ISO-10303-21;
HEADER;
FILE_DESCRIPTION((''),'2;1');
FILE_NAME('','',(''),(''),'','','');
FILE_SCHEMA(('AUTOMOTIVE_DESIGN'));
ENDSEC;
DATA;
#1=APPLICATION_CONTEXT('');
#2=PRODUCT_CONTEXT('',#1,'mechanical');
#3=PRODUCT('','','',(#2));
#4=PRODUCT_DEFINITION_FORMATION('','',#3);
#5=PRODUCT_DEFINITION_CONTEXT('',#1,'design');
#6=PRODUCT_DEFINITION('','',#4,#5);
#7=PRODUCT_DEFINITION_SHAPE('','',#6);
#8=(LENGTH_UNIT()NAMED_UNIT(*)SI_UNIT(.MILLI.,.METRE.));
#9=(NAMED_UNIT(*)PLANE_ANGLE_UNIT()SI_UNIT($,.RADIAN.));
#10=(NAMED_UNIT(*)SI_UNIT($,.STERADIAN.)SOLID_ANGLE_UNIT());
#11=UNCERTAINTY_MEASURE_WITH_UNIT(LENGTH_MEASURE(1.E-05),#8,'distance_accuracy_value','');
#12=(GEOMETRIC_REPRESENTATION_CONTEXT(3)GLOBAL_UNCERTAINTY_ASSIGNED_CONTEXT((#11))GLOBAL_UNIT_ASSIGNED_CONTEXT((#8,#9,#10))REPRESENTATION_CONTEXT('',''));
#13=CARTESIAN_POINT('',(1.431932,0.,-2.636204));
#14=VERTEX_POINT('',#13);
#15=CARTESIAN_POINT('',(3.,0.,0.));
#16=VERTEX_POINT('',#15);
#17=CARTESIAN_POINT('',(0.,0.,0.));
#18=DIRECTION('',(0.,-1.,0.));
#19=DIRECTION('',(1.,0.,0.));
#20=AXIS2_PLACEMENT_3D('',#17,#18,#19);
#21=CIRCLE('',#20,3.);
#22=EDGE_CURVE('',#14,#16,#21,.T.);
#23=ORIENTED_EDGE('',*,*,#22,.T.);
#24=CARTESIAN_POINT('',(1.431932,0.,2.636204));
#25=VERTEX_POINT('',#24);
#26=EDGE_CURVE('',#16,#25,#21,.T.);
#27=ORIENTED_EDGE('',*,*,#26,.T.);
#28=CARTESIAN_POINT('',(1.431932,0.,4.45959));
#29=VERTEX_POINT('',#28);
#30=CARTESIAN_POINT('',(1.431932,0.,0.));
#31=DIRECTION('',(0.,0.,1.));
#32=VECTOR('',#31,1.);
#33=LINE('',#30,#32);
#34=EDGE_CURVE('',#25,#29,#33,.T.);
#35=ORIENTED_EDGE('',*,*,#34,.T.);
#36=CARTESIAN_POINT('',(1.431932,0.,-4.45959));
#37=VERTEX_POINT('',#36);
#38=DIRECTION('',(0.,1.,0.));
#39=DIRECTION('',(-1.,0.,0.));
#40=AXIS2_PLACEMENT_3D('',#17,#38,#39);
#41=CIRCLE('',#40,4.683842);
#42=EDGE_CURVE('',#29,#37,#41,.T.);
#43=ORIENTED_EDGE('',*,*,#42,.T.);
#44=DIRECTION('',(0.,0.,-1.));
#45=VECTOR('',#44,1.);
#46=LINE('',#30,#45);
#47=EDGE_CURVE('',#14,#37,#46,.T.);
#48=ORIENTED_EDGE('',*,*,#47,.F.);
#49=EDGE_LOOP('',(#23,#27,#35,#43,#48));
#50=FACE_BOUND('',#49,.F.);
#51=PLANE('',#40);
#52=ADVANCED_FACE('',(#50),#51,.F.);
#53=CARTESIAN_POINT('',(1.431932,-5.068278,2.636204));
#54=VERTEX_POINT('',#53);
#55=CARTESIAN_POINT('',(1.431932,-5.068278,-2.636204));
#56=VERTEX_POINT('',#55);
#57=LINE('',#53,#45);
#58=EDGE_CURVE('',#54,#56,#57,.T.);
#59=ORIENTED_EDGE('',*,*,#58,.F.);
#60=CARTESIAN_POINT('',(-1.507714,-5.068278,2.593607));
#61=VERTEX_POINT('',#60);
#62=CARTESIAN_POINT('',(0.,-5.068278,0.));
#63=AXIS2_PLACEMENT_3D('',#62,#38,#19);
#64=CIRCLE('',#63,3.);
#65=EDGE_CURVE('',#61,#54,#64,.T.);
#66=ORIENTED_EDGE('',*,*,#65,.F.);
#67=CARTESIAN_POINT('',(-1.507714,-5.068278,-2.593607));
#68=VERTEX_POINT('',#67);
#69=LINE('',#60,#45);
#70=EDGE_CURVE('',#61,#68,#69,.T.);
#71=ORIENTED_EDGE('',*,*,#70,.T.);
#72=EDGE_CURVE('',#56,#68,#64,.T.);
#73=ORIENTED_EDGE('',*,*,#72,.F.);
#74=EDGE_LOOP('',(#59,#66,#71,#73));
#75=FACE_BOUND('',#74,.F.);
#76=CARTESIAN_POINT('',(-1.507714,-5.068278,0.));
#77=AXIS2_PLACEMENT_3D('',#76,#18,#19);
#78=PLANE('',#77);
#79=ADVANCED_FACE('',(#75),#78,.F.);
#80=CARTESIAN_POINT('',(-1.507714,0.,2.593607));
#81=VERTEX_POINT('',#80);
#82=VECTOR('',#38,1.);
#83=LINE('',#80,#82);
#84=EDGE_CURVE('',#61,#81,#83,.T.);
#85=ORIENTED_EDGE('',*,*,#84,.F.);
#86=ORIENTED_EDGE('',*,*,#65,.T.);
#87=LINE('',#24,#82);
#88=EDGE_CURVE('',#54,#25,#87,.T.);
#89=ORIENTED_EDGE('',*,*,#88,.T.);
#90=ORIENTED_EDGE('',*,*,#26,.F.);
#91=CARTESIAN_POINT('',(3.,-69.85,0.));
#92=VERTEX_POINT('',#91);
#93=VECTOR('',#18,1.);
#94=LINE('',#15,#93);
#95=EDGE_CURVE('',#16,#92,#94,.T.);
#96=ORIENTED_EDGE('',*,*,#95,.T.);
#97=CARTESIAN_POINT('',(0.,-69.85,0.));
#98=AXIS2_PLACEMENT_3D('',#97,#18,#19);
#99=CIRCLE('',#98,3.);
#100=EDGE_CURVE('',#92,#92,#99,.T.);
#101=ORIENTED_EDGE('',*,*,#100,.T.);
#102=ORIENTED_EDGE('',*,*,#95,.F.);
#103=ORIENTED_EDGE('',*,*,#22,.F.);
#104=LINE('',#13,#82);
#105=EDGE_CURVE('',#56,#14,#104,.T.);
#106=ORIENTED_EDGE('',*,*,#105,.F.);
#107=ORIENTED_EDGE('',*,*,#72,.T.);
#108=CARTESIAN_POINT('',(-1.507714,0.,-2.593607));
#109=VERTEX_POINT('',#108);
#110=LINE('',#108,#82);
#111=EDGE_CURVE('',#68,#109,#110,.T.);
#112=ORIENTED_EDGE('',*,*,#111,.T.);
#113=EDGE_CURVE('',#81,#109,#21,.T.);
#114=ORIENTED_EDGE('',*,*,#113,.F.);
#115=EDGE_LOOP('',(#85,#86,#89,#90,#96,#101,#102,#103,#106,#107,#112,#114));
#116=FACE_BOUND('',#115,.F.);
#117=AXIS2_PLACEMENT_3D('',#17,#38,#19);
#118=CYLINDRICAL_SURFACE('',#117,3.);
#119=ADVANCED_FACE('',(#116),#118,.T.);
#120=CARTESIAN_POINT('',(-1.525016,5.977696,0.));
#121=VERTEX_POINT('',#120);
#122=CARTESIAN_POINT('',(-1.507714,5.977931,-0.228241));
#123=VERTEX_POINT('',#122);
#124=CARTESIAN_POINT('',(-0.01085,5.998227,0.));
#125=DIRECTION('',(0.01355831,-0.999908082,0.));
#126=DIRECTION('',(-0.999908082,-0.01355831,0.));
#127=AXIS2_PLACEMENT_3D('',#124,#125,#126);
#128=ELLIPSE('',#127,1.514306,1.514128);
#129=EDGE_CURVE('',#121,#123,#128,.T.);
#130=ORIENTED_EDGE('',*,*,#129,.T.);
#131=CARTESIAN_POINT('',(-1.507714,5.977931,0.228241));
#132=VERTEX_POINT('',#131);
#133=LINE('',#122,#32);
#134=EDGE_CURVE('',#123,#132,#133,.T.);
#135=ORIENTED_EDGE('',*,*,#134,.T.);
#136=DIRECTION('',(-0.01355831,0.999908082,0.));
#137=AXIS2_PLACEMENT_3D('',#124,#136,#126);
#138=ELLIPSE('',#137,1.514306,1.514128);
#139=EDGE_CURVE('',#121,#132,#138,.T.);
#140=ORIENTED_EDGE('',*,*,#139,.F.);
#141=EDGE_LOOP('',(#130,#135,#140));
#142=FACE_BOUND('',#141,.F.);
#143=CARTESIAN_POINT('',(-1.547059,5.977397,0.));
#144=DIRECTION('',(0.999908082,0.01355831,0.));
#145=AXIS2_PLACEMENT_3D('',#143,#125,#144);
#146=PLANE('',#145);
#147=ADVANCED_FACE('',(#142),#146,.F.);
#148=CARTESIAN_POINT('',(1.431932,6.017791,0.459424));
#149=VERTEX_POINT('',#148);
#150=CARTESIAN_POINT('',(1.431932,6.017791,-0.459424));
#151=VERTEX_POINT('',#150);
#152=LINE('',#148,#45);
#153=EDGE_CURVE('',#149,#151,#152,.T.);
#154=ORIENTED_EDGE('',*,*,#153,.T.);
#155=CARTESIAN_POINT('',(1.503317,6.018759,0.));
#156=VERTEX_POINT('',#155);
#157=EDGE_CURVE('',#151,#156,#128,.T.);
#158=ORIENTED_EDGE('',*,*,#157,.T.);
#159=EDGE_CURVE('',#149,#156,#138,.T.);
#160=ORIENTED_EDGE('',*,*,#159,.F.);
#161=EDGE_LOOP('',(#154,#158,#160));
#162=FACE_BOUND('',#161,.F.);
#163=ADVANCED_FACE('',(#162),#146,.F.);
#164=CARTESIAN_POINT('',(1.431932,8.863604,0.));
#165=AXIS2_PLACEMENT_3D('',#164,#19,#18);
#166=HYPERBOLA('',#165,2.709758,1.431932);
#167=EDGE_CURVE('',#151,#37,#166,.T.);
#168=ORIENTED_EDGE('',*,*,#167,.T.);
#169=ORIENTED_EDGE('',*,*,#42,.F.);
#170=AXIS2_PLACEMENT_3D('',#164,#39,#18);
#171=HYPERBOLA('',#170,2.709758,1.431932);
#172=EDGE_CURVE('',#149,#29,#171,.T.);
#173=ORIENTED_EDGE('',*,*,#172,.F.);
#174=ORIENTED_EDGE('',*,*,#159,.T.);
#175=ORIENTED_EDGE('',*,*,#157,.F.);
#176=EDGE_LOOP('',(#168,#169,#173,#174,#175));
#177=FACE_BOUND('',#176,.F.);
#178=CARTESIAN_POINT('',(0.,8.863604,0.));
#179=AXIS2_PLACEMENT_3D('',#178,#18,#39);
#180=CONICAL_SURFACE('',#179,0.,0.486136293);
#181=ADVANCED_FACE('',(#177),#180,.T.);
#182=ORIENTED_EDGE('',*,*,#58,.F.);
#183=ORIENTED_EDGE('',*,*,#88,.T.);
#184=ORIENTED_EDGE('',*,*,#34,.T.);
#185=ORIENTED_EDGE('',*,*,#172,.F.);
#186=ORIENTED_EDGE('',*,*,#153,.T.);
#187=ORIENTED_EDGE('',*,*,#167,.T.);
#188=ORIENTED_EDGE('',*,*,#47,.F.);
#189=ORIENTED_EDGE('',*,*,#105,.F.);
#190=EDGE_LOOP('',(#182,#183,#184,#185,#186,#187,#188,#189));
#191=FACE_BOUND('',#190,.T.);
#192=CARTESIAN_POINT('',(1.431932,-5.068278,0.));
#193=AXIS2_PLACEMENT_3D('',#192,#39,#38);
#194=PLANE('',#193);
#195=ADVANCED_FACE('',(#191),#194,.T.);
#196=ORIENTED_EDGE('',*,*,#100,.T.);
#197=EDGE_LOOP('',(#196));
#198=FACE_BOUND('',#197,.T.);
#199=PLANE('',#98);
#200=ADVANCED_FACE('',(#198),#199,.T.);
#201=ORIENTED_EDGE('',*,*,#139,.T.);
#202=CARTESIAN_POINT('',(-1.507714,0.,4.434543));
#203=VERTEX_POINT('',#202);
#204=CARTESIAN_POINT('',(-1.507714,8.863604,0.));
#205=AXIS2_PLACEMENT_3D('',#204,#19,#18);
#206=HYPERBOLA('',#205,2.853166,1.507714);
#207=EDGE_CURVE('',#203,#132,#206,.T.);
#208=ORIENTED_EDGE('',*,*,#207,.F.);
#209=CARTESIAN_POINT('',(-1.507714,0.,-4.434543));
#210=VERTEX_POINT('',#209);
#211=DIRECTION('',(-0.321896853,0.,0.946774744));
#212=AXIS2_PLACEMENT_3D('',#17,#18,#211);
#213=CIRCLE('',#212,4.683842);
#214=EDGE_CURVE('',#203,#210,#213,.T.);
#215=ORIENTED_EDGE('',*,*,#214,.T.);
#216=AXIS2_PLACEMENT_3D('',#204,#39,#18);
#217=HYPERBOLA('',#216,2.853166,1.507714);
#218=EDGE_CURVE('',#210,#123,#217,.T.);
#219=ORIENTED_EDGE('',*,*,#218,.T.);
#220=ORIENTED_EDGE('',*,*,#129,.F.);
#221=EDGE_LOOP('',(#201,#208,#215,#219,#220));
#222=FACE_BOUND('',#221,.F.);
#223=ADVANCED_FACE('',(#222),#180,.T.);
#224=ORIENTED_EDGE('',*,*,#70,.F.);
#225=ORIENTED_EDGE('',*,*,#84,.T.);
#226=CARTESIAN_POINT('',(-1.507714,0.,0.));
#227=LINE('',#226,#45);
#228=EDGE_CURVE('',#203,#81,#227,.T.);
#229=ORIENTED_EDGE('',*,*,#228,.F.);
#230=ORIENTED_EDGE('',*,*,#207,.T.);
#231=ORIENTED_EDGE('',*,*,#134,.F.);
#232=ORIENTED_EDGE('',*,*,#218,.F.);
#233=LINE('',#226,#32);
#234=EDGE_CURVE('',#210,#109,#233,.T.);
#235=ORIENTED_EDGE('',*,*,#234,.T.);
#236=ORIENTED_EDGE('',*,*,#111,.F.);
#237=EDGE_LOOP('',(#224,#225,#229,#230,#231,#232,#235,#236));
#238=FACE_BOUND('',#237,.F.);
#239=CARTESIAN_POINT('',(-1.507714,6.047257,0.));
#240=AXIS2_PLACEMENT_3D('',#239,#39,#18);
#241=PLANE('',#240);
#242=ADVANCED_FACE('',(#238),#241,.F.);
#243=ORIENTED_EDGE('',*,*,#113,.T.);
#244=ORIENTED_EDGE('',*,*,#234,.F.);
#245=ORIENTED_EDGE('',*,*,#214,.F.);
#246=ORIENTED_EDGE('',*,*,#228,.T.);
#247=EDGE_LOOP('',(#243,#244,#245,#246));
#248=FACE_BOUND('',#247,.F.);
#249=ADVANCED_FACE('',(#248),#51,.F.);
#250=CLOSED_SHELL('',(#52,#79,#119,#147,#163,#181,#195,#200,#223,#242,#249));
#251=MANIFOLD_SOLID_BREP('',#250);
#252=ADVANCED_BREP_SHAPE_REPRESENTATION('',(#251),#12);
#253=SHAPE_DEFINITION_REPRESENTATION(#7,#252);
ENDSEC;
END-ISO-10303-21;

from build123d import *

# Parameters (mm, degrees)
F0_R     = 3
F1_DEPTH = 69.85
F5_DEPTH = 25
F6_DEPTH = 10.9
F8_DEPTH = 25
F9_DEPTH = 25


with BuildPart() as f1:
    # F0 (on Front) → F1 (new body)
    with BuildSketch(Plane.XZ):
        Circle(F0_R)
    extrude(amount=F1_DEPTH)

    # F2 (on Top) → F3 (revolve)
    with BuildSketch(Plane.XY):
        Polygon((-4.683842, 0), (0, 0), (0, 8.863604), align=None)
    revolve(axis=Axis((0, 4.431802, 0), (0, 1, 0)))

    # F4 (on Top) → F5 (cut)
    with BuildSketch(Plane.XY):
        Polygon((1.431932, 6.093189), (-1.507714, 6.047257), (-1.507714, -5.068278), (1.431932, -5.068278), align=None)
    extrude(amount=-F5_DEPTH, mode=Mode.SUBTRACT)

    # F4 (on Top) → F6 (cut)
    with BuildSketch(Plane.XY):
        Polygon((1.431932, 6.093189), (-1.507714, 6.047257), (-1.507714, -5.068278), (1.431932, -5.068278), align=None)
    extrude(amount=F6_DEPTH, mode=Mode.SUBTRACT)

    # F7 (on Top) → F8 (cut)
    with BuildSketch(Plane.XY):
        Polygon((0, 8.892538), (-1.547059, 5.977397), (1.504442, 6.018774), align=None)
    extrude(amount=-F8_DEPTH, mode=Mode.SUBTRACT)

    # F7 (on Top) → F9 (cut)
    with BuildSketch(Plane.XY):
        Polygon((0, 8.892538), (-1.547059, 5.977397), (1.504442, 6.018774), align=None)
    extrude(amount=F9_DEPTH, mode=Mode.SUBTRACT)


solid = f1.part
